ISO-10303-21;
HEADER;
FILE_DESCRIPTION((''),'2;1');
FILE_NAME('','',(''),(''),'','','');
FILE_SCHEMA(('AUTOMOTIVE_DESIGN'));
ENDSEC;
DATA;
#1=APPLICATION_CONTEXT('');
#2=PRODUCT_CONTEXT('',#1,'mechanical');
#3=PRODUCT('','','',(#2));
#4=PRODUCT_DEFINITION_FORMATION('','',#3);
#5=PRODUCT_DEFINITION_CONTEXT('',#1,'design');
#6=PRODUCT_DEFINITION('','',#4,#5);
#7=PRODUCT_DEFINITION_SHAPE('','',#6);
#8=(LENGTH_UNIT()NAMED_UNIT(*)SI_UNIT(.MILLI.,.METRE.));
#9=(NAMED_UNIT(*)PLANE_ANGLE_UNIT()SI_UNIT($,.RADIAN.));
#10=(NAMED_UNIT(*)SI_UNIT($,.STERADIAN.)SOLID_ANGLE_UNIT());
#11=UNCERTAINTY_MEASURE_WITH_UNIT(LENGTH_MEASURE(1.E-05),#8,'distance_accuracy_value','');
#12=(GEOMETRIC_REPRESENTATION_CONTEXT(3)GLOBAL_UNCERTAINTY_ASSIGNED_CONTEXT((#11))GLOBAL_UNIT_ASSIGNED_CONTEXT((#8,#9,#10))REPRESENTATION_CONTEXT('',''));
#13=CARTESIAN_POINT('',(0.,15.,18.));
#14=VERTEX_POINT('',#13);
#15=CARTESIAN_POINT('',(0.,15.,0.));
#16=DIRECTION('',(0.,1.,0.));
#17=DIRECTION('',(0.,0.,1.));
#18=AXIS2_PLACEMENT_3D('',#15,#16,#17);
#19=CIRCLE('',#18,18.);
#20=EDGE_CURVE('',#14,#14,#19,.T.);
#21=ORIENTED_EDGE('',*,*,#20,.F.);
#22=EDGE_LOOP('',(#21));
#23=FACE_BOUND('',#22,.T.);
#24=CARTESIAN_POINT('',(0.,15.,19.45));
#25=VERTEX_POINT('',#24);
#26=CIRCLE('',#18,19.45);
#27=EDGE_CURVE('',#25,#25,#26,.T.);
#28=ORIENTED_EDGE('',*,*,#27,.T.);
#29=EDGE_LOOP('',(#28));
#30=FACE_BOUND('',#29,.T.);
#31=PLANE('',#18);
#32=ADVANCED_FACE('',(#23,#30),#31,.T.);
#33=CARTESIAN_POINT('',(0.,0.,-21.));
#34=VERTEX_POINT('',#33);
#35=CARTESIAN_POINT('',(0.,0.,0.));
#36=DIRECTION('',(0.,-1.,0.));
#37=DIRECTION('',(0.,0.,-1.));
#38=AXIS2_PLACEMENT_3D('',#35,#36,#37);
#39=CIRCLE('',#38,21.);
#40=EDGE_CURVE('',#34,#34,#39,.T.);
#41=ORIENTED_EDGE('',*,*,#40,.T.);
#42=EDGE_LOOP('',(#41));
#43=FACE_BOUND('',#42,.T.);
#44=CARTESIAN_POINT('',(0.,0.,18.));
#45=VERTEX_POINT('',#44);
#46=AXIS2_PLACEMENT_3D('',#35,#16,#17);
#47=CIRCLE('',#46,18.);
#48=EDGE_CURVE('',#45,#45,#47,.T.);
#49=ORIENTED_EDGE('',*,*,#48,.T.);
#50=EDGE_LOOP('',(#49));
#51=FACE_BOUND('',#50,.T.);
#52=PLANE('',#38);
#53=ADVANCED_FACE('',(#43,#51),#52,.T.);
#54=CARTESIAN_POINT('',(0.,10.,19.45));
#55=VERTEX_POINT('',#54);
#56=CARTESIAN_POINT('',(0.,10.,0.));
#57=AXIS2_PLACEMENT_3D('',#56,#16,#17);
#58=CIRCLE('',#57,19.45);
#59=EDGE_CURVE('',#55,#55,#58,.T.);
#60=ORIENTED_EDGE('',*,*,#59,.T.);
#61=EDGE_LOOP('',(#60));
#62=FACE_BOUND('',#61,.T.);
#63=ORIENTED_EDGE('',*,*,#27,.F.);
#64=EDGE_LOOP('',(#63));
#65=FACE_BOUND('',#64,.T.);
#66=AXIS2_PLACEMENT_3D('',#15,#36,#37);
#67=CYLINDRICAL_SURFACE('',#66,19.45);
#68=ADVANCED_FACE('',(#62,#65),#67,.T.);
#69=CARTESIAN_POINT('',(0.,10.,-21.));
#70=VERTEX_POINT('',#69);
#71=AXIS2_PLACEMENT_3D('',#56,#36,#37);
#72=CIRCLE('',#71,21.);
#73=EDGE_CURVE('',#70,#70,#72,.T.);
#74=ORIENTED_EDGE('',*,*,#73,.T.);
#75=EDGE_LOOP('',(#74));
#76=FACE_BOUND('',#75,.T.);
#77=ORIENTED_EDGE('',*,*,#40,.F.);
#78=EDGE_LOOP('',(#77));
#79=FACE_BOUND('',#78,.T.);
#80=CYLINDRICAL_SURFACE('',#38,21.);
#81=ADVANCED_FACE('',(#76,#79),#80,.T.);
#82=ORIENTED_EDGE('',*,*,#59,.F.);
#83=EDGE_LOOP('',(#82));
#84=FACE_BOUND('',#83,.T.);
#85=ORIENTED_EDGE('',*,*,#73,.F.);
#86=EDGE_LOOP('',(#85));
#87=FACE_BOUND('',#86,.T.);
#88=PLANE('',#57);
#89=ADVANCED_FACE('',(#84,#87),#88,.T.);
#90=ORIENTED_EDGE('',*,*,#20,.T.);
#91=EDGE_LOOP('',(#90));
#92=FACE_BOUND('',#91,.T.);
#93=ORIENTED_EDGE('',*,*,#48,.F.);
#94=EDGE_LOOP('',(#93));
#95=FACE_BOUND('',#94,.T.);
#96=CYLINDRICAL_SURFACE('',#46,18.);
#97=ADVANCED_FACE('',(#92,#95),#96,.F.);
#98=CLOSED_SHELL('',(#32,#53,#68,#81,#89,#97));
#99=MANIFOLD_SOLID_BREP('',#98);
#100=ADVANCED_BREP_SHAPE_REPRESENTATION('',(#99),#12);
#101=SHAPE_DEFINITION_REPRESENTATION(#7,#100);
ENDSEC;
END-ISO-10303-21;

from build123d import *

# Parameters (mm, degrees)
SKETCH1_W           = 21
SKETCH1_H           = 10
SKETCH2_R           = 18
CUT_EXTRUDE1_DEPTH  = 32.336879232
SKETCH4_R           = 19.45
BOSS_EXTRUDE1_DEPTH = 5
SKETCH5_R           = 18
CUT_EXTRUDE2_DEPTH  = 34.271609519


with BuildPart() as part:
    # Sketch1 → Revolve1 (revolve)
    with BuildSketch(Plane.XY, mode=Mode.PRIVATE) as revolve1_sk:
        with Locations((10.5, 5)):
            Rectangle(SKETCH1_W, SKETCH1_H)
    revolve(revolve1_sk.sketch.rotate(Axis((0, 0, 0), (0, 1, 0)), 90), axis=Axis((0, 0, 0), (0, 1, 0)))

    # Sketch2 → Cut-Extrude1 (cut, through all)
    with BuildSketch(Plane(origin=(0, 10, 0), x_dir=(1, 0, 0), z_dir=(0, 1, 0))):
        with Locations(Location((0, 0, 0), (0, 0, 270))):
            Circle(SKETCH2_R)
    extrude(amount=-CUT_EXTRUDE1_DEPTH, mode=Mode.SUBTRACT)

    # Sketch4 → Boss-Extrude1 (add)
    with BuildSketch(Plane(origin=(0, 10, 0), x_dir=(1, 0, 0), z_dir=(0, 1, 0))):
        with Locations(Location((0, 0, 0), (0, 0, 270))):
            Circle(SKETCH4_R)
    extrude(amount=BOSS_EXTRUDE1_DEPTH)

    # Sketch5 → Cut-Extrude2 (cut, through all)
    with BuildSketch(Plane(origin=(0, 15, 0), x_dir=(1, 0, 0), z_dir=(0, 1, 0))):
        with Locations(Location((0, 0, 0), (0, 0, 270))):
            Circle(SKETCH5_R)
    extrude(amount=-CUT_EXTRUDE2_DEPTH, mode=Mode.SUBTRACT)


solid = part.part
